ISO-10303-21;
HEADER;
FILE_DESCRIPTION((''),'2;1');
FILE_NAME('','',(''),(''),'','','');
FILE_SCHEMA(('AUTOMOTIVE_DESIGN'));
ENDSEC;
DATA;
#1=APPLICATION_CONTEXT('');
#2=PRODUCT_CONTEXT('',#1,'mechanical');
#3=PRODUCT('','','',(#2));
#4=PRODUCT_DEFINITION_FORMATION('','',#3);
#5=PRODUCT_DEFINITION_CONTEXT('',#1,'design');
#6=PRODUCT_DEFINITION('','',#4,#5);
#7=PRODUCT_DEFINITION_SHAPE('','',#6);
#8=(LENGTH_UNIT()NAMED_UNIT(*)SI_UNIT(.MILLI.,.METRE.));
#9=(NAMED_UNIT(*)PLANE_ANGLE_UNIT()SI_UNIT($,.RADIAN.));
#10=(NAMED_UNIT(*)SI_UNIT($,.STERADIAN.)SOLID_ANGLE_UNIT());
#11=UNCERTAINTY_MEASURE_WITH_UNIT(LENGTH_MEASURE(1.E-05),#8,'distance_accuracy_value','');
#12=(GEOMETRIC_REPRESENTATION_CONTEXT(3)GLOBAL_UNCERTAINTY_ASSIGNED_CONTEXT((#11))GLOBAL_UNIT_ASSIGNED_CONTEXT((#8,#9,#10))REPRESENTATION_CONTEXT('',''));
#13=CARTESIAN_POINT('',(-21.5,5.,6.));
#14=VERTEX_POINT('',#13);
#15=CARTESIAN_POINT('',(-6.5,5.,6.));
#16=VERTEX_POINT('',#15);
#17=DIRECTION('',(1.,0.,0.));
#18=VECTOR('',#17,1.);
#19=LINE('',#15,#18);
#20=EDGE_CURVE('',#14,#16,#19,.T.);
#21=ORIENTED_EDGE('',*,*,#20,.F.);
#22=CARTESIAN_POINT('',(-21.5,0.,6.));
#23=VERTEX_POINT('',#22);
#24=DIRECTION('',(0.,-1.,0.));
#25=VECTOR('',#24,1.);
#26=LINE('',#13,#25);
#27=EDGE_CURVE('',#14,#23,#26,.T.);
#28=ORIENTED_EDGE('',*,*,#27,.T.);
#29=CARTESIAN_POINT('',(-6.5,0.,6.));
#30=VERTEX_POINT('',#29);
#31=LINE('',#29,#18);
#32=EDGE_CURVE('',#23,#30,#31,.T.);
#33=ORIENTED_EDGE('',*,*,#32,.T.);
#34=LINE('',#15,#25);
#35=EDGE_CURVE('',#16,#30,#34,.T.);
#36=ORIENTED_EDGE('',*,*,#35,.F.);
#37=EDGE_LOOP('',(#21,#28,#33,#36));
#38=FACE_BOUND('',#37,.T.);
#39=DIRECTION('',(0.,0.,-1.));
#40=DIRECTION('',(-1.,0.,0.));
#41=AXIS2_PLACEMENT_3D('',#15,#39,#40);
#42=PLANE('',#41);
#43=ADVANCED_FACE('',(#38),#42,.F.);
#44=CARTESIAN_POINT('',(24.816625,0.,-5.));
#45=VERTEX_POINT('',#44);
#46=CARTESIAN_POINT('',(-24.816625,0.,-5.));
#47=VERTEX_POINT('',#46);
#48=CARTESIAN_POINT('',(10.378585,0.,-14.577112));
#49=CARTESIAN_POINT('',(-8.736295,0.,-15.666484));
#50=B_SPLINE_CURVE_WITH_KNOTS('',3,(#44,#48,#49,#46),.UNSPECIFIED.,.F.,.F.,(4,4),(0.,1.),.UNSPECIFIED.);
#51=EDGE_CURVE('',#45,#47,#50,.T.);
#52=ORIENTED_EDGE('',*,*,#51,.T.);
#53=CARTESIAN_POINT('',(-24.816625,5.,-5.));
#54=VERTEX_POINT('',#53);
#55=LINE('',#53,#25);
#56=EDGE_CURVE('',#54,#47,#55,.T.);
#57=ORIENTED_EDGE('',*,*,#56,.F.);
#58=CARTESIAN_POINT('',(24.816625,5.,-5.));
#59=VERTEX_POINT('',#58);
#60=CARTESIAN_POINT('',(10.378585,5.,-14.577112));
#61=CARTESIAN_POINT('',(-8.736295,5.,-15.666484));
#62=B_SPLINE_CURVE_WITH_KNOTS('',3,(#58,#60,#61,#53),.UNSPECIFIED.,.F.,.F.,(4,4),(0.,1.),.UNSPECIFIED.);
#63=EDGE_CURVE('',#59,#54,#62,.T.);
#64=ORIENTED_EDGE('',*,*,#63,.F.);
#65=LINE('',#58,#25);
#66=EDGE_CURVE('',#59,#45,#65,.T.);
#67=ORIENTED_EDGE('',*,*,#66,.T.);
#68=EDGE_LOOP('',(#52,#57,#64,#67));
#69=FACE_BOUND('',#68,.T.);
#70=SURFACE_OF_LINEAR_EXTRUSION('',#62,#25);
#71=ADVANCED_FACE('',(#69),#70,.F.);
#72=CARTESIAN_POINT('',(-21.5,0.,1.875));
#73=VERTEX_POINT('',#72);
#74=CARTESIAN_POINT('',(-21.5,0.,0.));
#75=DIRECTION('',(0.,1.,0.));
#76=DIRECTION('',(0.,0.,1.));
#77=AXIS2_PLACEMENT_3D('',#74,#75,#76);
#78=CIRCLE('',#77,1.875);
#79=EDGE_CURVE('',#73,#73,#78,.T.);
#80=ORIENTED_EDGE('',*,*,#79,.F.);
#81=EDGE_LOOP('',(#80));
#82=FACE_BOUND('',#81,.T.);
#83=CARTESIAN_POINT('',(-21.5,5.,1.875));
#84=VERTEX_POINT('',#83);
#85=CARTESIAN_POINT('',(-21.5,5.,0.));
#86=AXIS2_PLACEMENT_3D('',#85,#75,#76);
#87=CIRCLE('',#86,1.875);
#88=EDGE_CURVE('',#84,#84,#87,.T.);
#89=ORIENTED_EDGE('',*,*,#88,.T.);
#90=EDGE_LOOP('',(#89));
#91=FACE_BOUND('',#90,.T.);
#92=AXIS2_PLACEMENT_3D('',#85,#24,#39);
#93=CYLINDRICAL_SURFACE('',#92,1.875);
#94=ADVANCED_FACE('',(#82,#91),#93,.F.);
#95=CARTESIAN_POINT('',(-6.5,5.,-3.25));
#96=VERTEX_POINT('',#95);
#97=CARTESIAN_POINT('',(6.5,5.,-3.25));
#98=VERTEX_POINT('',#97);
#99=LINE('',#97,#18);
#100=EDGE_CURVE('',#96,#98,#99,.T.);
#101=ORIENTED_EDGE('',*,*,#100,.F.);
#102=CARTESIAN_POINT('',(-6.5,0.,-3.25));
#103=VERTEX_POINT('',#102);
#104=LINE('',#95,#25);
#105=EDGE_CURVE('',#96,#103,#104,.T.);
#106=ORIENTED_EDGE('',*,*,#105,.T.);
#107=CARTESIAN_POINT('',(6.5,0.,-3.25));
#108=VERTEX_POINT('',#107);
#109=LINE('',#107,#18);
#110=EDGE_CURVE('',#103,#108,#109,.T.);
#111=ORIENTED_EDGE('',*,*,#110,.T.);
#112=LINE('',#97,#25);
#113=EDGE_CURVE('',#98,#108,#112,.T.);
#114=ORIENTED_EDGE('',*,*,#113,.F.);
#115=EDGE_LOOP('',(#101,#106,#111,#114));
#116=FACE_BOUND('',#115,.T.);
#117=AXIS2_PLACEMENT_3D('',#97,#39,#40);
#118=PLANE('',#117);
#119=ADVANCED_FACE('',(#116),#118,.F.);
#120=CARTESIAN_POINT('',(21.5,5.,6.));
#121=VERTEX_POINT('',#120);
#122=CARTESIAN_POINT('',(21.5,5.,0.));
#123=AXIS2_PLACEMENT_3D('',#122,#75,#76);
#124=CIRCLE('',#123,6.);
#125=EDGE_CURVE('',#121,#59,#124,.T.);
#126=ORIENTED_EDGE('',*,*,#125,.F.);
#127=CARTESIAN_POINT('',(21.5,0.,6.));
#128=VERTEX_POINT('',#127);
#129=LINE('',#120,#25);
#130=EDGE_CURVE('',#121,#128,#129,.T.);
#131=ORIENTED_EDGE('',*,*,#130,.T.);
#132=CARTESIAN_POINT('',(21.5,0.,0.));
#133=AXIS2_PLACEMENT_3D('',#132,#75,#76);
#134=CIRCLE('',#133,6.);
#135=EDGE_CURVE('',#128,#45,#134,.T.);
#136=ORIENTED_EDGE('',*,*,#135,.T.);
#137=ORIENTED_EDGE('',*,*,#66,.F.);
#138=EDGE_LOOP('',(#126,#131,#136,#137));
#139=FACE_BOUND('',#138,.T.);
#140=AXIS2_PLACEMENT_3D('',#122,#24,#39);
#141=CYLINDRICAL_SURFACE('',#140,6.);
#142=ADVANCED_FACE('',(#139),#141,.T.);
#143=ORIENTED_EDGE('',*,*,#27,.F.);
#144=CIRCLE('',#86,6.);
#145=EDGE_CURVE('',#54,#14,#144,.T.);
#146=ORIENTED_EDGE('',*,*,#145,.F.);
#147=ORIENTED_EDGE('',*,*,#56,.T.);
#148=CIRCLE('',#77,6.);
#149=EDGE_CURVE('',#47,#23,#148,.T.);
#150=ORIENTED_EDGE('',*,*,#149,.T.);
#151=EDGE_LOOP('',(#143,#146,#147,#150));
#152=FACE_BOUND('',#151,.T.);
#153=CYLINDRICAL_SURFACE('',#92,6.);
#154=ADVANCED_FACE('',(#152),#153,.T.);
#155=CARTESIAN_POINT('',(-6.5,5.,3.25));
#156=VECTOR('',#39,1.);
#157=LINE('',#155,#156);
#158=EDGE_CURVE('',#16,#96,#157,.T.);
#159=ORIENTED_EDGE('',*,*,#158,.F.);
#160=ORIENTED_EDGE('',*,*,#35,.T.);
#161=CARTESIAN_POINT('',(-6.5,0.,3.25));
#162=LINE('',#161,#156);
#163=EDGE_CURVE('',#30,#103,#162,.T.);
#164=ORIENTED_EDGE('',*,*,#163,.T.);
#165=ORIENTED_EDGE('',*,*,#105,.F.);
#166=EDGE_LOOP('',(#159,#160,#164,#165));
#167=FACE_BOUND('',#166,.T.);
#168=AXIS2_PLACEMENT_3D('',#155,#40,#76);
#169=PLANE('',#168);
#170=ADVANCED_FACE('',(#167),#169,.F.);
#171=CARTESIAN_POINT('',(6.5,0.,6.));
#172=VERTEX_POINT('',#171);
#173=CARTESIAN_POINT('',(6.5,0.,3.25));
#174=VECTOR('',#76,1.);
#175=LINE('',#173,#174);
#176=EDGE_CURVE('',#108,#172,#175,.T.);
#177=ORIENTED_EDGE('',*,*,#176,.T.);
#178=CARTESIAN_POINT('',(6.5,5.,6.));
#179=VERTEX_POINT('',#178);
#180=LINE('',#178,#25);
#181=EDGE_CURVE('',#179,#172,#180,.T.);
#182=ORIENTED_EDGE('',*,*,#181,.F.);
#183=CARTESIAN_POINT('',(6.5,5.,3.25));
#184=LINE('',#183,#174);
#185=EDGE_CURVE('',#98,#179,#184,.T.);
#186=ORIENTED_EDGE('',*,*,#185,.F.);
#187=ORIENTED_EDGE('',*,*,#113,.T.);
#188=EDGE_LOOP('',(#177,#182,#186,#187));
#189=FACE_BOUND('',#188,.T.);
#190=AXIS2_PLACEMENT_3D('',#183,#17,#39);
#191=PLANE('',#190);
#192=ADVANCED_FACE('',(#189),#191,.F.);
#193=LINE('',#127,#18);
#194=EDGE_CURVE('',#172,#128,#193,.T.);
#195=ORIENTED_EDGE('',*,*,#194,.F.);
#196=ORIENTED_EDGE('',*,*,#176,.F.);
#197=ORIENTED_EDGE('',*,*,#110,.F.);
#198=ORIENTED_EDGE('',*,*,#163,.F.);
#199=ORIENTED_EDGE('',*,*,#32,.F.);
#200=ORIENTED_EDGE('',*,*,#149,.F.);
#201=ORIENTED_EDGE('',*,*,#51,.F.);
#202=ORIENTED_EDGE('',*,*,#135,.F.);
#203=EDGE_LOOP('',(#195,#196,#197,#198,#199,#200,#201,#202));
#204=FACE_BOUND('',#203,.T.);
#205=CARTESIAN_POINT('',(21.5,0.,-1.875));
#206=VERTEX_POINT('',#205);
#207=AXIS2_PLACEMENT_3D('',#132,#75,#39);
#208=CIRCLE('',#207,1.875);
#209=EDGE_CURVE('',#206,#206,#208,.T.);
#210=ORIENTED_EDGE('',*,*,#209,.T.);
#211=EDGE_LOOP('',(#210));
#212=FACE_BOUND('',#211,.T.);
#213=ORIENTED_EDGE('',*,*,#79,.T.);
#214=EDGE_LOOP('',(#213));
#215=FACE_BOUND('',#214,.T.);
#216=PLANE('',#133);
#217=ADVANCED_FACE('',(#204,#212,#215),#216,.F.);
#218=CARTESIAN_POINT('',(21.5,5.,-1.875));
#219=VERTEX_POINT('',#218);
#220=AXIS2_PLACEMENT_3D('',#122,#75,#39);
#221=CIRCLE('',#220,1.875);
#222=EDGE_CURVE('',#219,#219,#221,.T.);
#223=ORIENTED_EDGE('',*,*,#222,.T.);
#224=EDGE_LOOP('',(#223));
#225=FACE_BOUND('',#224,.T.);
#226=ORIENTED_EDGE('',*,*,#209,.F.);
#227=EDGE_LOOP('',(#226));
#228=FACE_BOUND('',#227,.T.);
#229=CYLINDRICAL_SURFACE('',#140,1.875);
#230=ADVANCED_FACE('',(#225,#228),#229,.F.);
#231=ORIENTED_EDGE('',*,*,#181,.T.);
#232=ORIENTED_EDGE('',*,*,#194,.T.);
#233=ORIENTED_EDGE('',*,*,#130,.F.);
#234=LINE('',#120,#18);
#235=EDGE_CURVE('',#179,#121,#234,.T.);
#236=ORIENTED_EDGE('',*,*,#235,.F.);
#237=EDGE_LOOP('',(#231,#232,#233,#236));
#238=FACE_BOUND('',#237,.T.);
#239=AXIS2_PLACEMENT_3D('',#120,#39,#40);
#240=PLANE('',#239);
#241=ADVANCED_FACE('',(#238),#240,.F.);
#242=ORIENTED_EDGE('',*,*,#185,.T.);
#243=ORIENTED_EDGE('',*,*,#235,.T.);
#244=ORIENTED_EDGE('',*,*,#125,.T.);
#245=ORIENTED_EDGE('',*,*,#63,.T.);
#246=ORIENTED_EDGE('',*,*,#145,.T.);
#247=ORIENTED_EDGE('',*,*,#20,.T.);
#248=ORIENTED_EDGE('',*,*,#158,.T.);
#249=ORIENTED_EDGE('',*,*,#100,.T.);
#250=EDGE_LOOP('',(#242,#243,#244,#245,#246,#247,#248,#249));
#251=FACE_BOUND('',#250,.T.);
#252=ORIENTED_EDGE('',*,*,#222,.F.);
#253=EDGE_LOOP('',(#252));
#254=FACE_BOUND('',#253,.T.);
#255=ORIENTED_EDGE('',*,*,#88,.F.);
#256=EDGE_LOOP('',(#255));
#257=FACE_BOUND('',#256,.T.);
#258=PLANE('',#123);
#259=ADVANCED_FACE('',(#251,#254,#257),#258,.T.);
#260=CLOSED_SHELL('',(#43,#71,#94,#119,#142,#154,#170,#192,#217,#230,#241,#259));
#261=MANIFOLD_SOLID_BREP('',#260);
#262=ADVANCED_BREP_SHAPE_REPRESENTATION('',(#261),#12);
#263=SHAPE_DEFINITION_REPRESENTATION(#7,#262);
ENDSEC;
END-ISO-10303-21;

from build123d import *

# Parameters (mm, degrees)
SKETCH1_R           = 1.875
BOSS_EXTRUDE1_DEPTH = 5


with BuildPart() as part:
    # Sketch1 → Boss-Extrude1 (new body)
    with BuildSketch(Plane(origin=(0, 0, 0), x_dir=(1, 0, 0), z_dir=(0, 1, 0))):
        with BuildLine():
            Line((21.5, -6), (6.5, -6))
            Line((6.5, -6), (6.5, -3.25))
            Line((6.5, -3.25), (6.5, 3.25))
            Line((6.5, 3.25), (-6.5, 3.25))
            Line((-6.5, 3.25), (-6.5, -3.25))
            Line((-6.5, -3.25), (-6.5, -6))
            Line((-6.5, -6), (-21.5, -6))
            ThreePointArc((-21.5, -6), (-27.244562647, -1.732050808), (-24.81662479, 5))
            add(Edge.make_bspline(
                [(-24.81662479, 5), (-8.736295123, 15.666484002), (10.378585258, 14.577111967), (24.81662479, 5)],
                knots=[0, 0, 0, 0, 1, 1, 1, 1], degree=3))
            ThreePointArc((24.81662479, 5), (27.244562647, -1.732050808), (21.5, -6))
        make_face()
        with Locations(Location((-21.5, 0, 0), (0, 0, 270))):
            Circle(SKETCH1_R, mode=Mode.SUBTRACT)
        with Locations(Location((21.5, 0, 0), (0, 0, 90))):
            Circle(SKETCH1_R, mode=Mode.SUBTRACT)
    extrude(amount=BOSS_EXTRUDE1_DEPTH)


solid = part.part
